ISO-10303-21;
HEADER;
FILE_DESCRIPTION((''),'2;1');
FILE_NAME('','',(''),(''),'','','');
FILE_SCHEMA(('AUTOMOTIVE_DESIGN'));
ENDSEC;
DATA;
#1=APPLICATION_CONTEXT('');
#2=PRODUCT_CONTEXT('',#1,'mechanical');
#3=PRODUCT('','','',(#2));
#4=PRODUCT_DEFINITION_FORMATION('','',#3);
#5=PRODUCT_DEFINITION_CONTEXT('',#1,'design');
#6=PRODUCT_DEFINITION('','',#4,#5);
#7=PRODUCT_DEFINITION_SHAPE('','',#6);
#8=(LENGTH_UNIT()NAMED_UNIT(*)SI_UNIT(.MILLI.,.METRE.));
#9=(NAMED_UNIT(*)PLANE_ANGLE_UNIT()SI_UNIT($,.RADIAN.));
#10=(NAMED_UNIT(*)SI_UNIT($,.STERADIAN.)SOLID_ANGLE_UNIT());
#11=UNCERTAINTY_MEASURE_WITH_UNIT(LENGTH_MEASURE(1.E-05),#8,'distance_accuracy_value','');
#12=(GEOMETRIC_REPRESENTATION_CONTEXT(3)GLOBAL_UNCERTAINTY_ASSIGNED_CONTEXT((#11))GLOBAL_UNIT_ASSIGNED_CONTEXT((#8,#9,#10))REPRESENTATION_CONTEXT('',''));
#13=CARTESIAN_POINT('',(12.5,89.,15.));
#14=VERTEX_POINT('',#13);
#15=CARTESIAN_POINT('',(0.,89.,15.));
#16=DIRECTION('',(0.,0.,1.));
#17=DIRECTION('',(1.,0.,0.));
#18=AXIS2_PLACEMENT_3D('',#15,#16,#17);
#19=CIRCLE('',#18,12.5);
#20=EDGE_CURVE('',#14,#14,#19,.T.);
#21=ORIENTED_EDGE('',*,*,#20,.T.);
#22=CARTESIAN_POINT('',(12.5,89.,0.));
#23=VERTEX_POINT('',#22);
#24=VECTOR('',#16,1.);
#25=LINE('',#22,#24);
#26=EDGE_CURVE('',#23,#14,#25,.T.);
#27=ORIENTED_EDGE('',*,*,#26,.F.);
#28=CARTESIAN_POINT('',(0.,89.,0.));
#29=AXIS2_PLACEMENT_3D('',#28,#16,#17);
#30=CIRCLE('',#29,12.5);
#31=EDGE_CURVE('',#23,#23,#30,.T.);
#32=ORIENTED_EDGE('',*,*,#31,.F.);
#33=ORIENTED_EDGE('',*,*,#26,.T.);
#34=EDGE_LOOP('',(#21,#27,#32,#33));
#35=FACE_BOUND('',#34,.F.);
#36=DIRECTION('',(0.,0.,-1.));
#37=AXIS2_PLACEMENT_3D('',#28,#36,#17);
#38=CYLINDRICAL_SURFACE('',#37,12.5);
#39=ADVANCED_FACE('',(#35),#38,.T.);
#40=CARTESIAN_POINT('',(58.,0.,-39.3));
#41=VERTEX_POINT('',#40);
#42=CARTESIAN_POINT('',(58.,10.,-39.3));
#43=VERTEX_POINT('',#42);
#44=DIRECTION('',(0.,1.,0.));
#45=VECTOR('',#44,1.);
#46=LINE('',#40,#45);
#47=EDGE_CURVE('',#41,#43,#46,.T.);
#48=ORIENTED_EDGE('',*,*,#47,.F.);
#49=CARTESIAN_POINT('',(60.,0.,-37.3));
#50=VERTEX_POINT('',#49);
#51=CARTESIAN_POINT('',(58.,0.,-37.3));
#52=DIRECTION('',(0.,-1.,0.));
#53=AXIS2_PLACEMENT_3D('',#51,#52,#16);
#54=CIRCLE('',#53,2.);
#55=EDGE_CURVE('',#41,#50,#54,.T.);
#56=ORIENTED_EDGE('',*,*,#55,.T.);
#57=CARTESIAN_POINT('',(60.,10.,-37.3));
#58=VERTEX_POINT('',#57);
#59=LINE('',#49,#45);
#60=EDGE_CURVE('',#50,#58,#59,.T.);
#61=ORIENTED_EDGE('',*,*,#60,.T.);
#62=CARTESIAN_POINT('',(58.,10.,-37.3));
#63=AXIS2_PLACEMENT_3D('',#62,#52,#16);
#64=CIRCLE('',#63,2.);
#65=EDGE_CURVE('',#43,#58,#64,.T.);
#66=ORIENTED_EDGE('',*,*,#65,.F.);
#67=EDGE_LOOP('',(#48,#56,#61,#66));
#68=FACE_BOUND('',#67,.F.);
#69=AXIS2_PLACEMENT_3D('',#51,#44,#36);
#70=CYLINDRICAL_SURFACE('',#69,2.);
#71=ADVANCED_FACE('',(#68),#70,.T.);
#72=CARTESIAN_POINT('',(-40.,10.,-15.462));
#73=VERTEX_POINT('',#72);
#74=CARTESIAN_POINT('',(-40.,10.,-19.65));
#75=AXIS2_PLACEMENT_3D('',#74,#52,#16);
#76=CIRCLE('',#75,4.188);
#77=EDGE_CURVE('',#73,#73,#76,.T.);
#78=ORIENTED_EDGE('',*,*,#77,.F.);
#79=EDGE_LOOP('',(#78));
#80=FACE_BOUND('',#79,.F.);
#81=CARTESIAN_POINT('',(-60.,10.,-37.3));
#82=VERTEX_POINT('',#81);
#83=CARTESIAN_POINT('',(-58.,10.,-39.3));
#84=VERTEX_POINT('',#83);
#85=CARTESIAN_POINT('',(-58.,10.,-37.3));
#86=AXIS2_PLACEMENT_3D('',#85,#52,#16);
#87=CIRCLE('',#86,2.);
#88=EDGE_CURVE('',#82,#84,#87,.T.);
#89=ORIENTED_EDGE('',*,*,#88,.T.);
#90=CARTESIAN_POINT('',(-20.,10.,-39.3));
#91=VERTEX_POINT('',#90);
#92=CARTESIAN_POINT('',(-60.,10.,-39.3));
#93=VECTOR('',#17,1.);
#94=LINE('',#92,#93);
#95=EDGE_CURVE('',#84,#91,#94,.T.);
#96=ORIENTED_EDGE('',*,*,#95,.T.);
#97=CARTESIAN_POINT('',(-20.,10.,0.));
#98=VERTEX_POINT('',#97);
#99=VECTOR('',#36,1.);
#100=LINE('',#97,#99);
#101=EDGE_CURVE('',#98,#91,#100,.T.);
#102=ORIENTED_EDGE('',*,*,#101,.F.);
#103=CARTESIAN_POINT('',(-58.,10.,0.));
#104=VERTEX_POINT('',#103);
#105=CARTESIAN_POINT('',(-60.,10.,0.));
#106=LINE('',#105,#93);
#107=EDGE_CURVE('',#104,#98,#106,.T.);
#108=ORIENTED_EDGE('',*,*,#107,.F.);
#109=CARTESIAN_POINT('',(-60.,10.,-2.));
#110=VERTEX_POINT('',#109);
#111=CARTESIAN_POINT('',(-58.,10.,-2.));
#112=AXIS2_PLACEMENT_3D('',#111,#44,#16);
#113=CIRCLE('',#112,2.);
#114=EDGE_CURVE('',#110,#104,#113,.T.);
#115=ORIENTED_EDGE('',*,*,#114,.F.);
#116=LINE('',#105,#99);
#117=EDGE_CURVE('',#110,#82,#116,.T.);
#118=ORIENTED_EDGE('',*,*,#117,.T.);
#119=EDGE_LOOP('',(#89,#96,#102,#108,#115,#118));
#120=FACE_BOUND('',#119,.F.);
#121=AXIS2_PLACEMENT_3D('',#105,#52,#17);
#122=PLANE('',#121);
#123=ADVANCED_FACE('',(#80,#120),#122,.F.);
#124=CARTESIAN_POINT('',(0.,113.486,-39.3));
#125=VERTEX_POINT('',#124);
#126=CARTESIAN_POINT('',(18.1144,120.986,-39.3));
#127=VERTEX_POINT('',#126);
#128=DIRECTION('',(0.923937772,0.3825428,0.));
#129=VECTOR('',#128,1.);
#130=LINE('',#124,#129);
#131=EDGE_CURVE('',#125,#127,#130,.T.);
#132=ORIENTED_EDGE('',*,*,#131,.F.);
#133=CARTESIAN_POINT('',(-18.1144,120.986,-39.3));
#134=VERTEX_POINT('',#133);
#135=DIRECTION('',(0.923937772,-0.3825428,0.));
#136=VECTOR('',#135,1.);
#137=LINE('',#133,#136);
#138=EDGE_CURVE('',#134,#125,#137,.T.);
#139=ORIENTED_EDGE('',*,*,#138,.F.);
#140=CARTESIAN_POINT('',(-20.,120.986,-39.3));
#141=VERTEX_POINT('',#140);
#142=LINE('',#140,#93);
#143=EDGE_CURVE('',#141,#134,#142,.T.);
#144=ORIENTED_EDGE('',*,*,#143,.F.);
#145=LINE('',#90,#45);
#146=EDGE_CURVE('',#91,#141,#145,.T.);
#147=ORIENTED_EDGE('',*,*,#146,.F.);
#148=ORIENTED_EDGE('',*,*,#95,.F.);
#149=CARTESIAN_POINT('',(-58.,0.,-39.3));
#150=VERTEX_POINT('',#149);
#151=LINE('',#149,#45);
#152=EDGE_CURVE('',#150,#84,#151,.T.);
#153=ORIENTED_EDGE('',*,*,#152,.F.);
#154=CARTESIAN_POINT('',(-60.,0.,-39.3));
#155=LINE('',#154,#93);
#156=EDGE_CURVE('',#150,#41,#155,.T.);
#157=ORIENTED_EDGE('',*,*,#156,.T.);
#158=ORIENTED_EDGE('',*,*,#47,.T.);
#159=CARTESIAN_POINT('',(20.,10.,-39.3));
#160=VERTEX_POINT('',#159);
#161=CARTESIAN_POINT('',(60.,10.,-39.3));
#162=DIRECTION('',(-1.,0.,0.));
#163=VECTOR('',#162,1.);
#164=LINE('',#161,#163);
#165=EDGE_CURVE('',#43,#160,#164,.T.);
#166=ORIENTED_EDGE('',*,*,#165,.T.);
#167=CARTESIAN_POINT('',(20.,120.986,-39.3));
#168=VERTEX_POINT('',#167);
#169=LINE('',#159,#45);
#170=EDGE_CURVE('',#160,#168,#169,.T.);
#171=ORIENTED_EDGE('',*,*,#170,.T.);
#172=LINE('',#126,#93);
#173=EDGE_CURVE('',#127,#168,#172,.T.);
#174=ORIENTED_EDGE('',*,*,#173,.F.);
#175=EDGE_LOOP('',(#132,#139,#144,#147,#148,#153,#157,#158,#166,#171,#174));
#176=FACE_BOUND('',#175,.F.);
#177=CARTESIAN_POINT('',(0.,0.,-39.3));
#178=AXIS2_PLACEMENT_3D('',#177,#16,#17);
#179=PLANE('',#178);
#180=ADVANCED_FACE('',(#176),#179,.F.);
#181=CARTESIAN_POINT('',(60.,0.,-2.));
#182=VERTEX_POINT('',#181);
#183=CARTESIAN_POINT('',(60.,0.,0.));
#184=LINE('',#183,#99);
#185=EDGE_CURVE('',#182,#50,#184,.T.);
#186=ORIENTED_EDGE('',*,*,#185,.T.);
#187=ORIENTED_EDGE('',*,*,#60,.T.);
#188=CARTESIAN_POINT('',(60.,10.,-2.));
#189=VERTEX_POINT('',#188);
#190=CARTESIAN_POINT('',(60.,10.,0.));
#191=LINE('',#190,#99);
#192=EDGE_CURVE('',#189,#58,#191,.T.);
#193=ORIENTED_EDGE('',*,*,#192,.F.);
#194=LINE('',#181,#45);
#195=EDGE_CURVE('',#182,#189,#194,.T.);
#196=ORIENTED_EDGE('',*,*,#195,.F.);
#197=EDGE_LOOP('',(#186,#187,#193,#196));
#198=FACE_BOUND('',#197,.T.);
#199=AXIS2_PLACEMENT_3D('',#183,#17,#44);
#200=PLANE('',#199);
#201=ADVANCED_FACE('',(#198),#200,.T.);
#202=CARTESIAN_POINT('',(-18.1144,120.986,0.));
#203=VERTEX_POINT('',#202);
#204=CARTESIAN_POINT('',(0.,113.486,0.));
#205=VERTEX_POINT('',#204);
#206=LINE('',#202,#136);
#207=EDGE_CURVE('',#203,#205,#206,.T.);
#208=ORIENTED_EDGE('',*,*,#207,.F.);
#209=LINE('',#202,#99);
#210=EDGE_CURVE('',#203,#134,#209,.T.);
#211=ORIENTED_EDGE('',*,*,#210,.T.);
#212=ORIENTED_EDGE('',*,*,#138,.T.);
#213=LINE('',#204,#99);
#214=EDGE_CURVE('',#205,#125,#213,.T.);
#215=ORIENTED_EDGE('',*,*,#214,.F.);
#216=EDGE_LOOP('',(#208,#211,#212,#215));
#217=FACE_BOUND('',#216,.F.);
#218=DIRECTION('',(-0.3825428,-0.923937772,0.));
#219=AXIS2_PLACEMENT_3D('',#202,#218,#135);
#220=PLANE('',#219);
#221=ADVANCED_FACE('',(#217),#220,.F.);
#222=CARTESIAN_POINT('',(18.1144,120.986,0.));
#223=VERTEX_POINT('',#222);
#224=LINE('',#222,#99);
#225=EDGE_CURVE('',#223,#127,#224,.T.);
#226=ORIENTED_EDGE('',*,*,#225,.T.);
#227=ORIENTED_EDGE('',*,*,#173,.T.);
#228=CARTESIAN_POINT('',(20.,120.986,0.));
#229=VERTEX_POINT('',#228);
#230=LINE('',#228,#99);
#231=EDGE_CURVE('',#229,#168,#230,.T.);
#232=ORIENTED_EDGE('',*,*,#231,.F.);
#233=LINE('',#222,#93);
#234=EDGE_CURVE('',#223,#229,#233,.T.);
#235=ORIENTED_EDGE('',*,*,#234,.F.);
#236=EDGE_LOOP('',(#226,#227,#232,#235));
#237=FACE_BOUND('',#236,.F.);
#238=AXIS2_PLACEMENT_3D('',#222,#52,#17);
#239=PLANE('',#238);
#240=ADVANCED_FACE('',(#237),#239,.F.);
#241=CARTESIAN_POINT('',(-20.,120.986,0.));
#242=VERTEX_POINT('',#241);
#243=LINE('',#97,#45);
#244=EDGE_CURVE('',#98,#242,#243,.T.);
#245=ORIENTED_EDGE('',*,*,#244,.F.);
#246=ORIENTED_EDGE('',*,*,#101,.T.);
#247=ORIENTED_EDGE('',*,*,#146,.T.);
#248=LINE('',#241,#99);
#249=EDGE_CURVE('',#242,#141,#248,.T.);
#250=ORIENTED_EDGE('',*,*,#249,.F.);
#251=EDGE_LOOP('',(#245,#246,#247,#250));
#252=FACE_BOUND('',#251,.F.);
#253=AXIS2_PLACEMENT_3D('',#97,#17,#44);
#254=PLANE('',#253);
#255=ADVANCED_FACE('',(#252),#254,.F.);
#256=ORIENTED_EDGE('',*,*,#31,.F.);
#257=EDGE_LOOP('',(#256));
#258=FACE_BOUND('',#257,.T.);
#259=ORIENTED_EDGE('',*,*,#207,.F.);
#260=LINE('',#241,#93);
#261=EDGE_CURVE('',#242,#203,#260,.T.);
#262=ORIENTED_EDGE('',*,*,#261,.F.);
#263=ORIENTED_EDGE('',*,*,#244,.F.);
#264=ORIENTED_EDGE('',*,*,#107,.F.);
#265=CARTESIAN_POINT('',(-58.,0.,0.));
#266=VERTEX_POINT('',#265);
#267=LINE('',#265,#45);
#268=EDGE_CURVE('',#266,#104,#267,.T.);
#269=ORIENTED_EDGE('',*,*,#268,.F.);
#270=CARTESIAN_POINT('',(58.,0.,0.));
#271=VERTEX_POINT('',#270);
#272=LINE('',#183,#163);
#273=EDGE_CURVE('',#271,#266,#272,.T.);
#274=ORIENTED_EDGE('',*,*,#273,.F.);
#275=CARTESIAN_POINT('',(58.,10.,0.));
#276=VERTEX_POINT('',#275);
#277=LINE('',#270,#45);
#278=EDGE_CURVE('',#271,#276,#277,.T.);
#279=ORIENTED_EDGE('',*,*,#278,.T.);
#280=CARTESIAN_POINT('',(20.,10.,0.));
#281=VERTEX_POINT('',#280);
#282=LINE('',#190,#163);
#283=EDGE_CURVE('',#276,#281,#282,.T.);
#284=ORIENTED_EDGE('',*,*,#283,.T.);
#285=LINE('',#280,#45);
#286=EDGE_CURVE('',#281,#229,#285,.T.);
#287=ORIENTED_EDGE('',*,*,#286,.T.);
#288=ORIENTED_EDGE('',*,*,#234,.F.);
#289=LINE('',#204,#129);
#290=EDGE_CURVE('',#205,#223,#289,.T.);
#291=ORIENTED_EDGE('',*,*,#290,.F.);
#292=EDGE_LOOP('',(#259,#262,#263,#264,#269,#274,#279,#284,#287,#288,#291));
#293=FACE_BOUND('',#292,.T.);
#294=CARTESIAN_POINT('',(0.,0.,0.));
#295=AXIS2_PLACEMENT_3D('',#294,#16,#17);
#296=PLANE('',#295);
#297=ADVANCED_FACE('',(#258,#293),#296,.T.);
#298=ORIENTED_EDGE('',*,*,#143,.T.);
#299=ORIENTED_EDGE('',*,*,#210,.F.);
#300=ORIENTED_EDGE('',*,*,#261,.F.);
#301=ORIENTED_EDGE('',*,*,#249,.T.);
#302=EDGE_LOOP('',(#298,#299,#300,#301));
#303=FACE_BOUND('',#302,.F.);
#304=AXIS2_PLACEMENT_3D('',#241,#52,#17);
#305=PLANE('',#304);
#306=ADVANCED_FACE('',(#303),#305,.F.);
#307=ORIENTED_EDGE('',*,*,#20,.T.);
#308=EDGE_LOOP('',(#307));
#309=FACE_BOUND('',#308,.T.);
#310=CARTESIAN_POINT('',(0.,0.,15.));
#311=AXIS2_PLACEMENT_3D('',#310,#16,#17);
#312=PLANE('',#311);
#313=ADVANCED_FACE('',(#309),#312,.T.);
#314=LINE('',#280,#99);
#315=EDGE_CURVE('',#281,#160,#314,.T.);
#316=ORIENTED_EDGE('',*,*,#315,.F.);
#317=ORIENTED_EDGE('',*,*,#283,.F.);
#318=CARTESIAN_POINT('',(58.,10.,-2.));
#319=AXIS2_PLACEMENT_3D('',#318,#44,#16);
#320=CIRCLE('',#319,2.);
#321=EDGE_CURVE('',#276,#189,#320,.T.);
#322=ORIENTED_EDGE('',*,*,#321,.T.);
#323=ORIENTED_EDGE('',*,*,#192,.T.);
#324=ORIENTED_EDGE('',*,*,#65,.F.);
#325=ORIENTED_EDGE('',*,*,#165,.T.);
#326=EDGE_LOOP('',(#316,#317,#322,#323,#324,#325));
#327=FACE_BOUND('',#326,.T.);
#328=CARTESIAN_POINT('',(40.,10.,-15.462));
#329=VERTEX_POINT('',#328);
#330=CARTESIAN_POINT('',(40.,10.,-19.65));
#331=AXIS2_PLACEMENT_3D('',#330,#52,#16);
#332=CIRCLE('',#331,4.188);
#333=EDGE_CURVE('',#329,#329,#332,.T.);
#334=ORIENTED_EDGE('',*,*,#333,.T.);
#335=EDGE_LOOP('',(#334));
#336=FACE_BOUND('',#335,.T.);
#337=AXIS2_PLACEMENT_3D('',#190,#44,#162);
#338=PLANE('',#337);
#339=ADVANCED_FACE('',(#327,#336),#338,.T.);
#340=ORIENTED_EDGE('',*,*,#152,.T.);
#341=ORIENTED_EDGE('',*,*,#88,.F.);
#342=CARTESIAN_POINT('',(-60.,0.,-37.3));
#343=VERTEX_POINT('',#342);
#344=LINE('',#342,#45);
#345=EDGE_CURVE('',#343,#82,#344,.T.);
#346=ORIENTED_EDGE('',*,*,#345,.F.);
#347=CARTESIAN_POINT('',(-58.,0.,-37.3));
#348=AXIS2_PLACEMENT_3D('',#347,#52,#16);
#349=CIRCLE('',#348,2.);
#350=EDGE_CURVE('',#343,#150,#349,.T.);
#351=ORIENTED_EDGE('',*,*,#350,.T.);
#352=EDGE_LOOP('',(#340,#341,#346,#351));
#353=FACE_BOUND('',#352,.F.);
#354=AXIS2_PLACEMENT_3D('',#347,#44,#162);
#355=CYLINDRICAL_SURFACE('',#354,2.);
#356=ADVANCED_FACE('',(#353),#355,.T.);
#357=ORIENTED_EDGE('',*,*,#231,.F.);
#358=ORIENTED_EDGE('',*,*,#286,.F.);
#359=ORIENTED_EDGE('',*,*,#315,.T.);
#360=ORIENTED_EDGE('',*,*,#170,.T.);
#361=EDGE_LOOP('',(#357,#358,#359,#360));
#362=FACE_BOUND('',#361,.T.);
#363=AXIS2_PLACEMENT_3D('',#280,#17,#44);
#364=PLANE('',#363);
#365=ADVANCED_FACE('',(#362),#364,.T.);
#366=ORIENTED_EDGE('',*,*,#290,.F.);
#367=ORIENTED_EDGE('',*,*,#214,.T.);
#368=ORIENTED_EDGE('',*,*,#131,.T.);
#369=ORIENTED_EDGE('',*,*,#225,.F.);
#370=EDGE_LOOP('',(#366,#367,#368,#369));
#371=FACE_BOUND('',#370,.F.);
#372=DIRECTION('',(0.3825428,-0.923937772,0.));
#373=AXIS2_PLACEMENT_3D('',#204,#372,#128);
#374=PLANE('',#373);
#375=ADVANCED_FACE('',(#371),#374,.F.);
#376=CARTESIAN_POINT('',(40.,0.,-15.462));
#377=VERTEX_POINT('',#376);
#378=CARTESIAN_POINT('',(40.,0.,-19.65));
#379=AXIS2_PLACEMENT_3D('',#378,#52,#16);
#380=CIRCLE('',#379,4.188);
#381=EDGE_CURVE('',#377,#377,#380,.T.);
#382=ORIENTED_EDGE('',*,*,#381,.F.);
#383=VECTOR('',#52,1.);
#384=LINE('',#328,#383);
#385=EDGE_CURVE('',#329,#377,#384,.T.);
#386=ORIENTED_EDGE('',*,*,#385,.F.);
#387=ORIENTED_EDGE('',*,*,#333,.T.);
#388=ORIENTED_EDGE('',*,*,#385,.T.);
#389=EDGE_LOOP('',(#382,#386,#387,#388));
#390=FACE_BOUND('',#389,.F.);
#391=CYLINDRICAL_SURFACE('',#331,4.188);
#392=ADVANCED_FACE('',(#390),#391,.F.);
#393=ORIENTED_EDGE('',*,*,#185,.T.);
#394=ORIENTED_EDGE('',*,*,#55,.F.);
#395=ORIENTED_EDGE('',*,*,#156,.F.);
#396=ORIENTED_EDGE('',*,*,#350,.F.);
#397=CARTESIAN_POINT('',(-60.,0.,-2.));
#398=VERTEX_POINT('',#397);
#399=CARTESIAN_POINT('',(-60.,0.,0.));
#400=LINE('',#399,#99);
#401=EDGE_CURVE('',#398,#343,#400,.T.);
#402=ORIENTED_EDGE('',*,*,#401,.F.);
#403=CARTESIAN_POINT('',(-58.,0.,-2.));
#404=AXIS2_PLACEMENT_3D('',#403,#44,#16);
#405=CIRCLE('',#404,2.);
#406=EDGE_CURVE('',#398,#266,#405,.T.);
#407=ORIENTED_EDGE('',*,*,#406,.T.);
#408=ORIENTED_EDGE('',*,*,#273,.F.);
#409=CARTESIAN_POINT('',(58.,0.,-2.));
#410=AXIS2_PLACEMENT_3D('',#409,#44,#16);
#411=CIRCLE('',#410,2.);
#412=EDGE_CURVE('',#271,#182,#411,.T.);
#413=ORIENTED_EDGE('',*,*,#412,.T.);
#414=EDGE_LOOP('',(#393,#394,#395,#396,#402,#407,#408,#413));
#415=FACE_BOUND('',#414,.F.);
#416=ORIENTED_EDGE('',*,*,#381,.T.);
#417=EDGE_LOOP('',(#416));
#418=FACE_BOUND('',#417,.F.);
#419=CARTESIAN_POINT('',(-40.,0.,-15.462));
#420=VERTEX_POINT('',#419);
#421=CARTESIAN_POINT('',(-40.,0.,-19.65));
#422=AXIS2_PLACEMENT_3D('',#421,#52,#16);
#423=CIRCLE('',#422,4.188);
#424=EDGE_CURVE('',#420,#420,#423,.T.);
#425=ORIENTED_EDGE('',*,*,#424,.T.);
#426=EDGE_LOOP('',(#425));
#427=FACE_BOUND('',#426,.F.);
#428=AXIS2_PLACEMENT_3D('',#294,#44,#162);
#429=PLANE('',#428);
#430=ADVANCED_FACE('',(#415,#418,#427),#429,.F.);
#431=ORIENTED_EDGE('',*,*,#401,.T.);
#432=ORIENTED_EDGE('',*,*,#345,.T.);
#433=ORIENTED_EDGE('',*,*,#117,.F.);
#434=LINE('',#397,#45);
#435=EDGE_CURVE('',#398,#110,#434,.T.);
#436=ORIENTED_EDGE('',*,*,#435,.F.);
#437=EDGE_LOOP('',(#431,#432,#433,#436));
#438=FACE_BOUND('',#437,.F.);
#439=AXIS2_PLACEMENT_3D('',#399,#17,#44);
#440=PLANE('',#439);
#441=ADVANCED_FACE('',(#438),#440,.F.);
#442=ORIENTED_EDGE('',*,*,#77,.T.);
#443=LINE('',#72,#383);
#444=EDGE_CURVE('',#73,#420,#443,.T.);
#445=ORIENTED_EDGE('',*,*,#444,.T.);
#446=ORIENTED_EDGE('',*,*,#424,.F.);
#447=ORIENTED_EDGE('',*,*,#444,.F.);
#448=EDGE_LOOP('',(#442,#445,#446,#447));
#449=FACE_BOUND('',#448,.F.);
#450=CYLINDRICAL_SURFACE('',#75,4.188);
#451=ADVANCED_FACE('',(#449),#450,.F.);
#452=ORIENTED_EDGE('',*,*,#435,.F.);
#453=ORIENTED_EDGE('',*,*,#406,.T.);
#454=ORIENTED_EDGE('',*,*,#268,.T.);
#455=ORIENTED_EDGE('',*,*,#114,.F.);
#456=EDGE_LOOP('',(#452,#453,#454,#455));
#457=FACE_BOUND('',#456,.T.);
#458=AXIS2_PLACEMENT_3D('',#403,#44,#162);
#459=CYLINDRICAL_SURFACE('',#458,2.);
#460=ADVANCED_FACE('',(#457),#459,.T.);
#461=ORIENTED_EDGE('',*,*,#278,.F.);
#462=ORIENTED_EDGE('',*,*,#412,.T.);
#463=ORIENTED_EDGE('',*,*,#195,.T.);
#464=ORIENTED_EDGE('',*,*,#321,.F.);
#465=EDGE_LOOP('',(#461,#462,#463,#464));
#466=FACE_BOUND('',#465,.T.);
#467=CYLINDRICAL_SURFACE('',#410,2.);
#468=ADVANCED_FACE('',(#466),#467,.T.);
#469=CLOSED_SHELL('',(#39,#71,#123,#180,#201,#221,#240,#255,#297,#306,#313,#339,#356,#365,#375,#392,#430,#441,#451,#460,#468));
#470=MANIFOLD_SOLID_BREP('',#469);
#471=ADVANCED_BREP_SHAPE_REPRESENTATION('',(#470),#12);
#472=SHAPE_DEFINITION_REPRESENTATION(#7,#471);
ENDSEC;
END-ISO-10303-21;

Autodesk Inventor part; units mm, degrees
ref_plane "YZ Plane" through (0, 0, 0) normal (1, 0, 0) x (0, 1, 0)
ref_plane "XZ Plane" through (0, 0, 0) normal (0, 1, 0) x (-1, 0, 0)
ref_plane "XY Plane" through (0, 0, 0) normal (0, 0, 1) x (1, 0, 0)
sketch "Sketch3" plane through (0, 0, 0) normal (0, 0, 1) x (1, 0, 0)
  line L0 (0, 0) -> (60, 0)
  line L1 (60, 0) -> (60, 10)
  line L2 (60, 10) -> (20, 10)
  line L3 (20, 10) -> (20, 120.986)
  line L4 (0, 0) -> (0, 29.8306) construction
  line L5 (0, 0) -> (-60, 0)
  line L6 (-60, 0) -> (-60, 10)
  line L7 (-60, 10) -> (-20, 10)
  line L8 (-20, 10) -> (-20, 120.986)
  line L9 (799.716, 113.486) -> (799.716, 376.2074) construction
  line L10 (0, 113.486) -> (18.1144, 120.986)
  line L11 (18.1144, 120.986) -> (20, 120.986)
  line L12 (-18.1144, 120.986) -> (0, 113.486)
  line L13 (-20, 120.986) -> (-18.1144, 120.986)
  dimension "d10" = 60
  dimension "d11" = 10
  dimension "d41" = 18.1144
  dimension "d44" = 110.986
  dimension "d45" = 7.5
  dimension "d46" = 40
  dimension "d47" = 110.986
extrude "Extrusion1" add sketch "Sketch3" against normal blind 39.3
sketch "Sketch4" plane through (0, 0, 0) normal (0, 0, 1) x (1, 0, 0)
  circle A0 centre (0, 89) radius 12.5
  point P0 (0, 0)
  dimension "d20" = 25
extrude "Extrusion2" add sketch "Sketch4" along normal blind 15
fillet "Fillet1" radius 2 4 edges at (60, 5, 0) (60, 5, -39.3) (-60, 5, 0) (-60, 5, -39.3)
sketch "Sketch5" plane through (-20, 10, 0) normal (0, 1, 0) x (1, 0, 0)
  line L0 (-38, 39.3) -> (0, 39.3) projected
  line L1 (40, 39.3) -> (78, 39.3) projected
  line L2 (-40, 2) -> (-40, 37.3) projected
  line L3 (80, 2) -> (80, 37.3) projected
  point P0 (20, 0)
  point P1 (-20, 19.65)
  point P2 (60, 19.65)
  dimension "d24" = 19.65
  dimension "d25" = 19.65
  dimension "d26" = 20
  dimension "d27" = 20
hole "Hole1" at (-40, 10, -19.65) at (40, 10, -19.65) direction (0, -1, 0) diameter 8.376 end through all thread size "M10x1.5" class "6H" standard "ISO Metric profile"
equation "\"d47\" = d44"
equation "\"d25\" = d24"
equation "\"d27\" = d26"
properties part number "Stop sliding"
